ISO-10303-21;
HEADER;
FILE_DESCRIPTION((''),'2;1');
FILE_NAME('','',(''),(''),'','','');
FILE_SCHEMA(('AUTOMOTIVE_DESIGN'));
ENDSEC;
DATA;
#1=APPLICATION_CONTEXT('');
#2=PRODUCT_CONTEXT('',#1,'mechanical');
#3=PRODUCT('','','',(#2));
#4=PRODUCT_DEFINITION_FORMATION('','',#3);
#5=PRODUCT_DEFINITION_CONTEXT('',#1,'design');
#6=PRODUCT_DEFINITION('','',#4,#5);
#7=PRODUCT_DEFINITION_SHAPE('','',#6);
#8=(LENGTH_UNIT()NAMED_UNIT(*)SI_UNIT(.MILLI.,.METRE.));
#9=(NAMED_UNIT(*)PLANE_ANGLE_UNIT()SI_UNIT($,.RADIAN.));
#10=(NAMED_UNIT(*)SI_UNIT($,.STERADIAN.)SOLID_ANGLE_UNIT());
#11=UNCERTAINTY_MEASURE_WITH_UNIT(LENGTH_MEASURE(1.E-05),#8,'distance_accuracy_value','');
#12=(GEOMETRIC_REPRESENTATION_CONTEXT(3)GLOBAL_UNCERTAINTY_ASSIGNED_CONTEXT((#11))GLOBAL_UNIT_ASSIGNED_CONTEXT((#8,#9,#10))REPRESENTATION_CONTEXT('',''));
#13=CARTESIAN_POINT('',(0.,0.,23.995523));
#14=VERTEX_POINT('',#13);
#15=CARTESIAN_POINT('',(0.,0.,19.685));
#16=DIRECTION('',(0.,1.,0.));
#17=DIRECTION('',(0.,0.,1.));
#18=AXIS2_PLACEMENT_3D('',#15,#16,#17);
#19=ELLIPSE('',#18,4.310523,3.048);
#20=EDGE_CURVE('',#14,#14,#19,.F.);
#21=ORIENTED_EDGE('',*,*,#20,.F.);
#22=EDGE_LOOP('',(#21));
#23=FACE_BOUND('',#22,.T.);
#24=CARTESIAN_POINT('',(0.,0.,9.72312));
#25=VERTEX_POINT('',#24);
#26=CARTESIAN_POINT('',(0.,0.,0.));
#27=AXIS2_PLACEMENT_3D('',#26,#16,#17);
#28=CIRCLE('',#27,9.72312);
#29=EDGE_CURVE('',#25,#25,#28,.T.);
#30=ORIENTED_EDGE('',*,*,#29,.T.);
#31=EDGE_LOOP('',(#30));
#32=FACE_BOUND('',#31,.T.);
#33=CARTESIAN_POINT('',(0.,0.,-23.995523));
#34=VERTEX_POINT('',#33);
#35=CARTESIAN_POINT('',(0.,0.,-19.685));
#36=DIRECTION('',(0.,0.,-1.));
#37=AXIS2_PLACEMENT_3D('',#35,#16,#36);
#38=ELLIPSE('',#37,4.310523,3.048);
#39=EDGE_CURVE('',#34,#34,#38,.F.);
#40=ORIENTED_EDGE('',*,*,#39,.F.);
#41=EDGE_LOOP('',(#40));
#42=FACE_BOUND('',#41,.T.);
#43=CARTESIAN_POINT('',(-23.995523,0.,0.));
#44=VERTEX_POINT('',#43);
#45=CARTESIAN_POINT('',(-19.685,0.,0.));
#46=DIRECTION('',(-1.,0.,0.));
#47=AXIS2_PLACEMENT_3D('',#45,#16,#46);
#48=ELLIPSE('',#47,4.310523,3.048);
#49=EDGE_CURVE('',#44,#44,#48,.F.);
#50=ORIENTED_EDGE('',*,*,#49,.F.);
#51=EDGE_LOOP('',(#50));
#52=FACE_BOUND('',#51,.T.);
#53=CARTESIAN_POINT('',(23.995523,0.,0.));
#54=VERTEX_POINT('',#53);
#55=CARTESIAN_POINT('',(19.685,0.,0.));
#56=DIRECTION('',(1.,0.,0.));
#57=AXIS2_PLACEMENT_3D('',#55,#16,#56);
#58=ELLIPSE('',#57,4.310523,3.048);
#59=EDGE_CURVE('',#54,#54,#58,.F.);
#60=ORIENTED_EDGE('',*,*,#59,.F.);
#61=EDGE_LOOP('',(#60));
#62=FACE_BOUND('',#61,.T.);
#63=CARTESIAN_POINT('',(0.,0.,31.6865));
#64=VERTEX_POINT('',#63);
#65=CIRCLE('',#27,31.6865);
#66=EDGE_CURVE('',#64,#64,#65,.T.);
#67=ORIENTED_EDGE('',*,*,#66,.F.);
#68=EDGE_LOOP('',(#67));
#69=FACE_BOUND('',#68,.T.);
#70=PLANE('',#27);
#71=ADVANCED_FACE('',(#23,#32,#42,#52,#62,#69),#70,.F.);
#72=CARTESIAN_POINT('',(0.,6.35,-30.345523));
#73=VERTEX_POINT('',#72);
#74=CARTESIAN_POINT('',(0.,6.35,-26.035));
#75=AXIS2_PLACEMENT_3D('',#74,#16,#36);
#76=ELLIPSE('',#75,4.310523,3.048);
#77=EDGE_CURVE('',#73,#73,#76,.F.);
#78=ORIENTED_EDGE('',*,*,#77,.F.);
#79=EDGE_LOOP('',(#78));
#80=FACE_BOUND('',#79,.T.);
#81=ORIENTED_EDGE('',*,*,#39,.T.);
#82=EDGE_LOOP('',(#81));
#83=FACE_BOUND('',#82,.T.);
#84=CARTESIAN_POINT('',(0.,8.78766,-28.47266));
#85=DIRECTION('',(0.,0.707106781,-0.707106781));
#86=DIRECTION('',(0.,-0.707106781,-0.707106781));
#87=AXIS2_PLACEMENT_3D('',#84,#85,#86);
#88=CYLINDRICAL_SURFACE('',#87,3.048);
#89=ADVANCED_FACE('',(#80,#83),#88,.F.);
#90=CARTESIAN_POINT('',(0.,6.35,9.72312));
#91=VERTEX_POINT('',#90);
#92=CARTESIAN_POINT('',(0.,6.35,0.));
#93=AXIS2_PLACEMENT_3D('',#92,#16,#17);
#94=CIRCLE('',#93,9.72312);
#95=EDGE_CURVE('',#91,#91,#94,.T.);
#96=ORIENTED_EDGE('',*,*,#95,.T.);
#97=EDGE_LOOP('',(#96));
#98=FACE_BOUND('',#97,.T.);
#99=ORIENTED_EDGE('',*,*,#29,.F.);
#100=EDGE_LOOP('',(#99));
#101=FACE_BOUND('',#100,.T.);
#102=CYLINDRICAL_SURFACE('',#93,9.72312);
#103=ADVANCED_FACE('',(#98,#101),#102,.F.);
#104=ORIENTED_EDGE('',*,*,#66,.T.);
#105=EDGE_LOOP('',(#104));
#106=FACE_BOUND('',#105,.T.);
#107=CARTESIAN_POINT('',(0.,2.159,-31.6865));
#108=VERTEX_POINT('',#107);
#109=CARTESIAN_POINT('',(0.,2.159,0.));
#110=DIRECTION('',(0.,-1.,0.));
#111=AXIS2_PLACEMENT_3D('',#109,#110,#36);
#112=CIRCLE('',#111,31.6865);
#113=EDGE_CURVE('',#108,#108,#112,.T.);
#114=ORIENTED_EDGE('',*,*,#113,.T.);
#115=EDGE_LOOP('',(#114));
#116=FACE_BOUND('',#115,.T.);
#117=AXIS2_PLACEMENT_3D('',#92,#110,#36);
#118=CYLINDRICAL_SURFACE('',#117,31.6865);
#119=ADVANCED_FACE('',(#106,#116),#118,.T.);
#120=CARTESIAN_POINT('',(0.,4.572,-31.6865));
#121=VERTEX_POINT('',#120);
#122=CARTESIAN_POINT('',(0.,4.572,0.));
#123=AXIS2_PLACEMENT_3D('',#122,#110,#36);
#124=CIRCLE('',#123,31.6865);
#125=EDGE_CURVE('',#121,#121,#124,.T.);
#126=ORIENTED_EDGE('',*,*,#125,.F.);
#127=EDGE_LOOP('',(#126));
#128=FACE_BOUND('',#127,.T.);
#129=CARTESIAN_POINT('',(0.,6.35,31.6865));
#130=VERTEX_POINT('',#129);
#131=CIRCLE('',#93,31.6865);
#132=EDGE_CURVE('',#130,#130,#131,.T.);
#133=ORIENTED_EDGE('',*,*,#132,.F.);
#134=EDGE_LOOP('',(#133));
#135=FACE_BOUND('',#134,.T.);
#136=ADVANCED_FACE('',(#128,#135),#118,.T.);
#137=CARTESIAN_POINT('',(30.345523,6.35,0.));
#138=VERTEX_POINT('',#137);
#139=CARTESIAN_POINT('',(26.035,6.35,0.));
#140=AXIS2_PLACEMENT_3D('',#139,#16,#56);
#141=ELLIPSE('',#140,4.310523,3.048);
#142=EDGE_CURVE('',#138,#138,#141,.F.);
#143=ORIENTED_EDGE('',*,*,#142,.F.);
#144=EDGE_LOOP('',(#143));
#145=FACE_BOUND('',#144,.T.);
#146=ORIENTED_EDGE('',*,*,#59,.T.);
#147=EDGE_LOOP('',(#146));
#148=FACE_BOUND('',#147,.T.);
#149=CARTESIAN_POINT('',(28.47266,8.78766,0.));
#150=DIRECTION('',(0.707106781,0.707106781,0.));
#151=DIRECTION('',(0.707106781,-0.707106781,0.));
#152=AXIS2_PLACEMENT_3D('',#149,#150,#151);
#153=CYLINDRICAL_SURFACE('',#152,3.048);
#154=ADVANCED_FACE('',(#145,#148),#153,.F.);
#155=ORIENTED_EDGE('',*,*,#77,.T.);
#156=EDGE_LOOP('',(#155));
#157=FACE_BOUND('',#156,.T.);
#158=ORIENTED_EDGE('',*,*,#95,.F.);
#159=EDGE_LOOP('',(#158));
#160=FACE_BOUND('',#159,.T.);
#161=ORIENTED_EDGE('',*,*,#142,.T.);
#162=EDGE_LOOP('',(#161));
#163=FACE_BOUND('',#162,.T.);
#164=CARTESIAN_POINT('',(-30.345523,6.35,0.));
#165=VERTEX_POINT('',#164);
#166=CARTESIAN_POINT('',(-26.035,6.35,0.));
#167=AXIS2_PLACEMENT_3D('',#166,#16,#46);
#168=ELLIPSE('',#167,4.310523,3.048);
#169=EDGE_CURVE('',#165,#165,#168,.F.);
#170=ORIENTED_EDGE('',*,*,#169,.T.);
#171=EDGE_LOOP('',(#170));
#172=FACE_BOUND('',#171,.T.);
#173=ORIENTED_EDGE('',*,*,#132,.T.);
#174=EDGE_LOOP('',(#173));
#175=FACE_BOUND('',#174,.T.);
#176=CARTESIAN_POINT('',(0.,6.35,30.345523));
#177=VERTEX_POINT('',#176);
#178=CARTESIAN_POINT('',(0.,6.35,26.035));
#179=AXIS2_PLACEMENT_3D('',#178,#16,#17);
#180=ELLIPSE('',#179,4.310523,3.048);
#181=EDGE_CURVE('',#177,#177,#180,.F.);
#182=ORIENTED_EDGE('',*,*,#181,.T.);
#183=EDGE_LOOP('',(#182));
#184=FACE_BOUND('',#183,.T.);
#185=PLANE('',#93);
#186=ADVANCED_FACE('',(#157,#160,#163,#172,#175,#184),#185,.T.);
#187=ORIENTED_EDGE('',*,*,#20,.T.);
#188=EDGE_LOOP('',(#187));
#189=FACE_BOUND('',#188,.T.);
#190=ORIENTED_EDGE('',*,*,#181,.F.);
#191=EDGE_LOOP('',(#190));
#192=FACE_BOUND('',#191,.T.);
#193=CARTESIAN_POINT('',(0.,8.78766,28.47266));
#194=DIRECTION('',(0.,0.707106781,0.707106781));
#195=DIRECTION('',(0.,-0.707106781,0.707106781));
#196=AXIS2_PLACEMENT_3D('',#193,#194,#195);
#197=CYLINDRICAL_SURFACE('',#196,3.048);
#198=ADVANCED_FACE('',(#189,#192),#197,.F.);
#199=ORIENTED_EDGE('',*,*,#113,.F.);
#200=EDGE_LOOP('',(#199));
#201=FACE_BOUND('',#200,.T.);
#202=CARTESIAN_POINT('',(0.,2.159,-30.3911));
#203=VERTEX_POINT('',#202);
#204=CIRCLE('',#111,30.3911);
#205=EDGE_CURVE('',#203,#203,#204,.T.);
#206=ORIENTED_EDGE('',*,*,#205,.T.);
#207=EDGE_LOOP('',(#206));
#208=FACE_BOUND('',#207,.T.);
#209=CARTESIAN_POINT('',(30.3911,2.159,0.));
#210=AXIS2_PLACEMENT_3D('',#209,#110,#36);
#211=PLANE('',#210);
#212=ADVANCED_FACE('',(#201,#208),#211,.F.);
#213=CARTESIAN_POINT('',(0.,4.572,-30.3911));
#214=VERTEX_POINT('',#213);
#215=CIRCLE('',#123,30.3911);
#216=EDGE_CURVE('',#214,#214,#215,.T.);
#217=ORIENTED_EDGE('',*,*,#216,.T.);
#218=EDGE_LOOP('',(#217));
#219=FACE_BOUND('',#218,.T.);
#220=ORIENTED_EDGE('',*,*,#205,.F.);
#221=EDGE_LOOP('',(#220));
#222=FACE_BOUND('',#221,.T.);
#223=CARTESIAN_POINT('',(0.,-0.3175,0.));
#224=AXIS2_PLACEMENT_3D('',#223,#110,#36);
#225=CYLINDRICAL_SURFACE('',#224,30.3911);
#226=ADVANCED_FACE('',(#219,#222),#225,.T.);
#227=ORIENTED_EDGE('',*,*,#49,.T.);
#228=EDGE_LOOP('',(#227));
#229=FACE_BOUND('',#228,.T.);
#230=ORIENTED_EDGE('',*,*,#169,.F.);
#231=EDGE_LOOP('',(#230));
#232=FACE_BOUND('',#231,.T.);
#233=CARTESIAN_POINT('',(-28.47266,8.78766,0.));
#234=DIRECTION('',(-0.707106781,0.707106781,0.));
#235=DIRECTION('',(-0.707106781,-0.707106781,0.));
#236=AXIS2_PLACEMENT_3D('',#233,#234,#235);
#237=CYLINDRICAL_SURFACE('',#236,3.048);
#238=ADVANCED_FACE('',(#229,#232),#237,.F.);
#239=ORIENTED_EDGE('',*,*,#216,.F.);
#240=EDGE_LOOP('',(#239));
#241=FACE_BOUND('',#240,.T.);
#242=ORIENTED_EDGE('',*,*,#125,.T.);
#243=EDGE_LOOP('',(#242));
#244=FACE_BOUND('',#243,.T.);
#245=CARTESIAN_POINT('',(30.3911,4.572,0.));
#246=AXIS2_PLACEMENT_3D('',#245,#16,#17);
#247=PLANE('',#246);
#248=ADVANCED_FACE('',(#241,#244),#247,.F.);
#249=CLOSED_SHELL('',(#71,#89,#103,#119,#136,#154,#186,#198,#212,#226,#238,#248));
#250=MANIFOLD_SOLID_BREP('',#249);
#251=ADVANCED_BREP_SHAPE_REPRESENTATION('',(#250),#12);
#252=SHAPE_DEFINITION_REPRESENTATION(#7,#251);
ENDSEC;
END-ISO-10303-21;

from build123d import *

# Parameters (mm, degrees)
SKETCH1_R                   = 31.6865
BOSS_EXTRUDE1_DEPTH         = 6.35
CIRPATTERN1_COUNT           = 4
SKETCH5_W                   = 1.2954
SKETCH5_H                   = 2.413
F_3_4_CLEARANCE_HOLE1_D     = 19.44624
F_3_4_CLEARANCE_HOLE1_DEPTH = 6.35
F_3_4_CLEARANCE_HOLE1_TIP   = 5.842239902


with BuildPart() as part:
    # Sketch1 → Boss-Extrude1 (new body)
    with BuildSketch(Plane(origin=(0, 0, 0), x_dir=(1, 0, 0), z_dir=(0, 1, 0))):
        with Locations(Location((0, 0, 0), (0, 0, 270))):
            Circle(SKETCH1_R)
    extrude(amount=BOSS_EXTRUDE1_DEPTH)

    # Sketch4 → Cut-Revolve1 (revolve, cut)
    with BuildSketch(Plane.XY, mode=Mode.PRIVATE) as cut_revolve1_sk:
        Polygon((-28.472660076, 8.787660076), (-22.86, 3.175), (-17.247339924, -2.437660076), (-15.092078455, -0.282398607), (-26.317398607, 10.942921545), align=None)
    cut_revolve1 = revolve(cut_revolve1_sk.sketch.rotate(Axis((-28.472660076, 8.787660076, 0), (0.7071067811865512, -0.7071067811865439, 0)), 180), axis=Axis((-28.472660076, 8.787660076, 0), (0.7071067811865512, -0.7071067811865439, 0)), mode=Mode.SUBTRACT)

    # CirPattern1: Cut-Revolve1 ×4 about axis
    cirpattern1_axis = Axis((0, -0.3175, 0), (0, 1, 0))
    for i in range(1, CIRPATTERN1_COUNT):
        add(cut_revolve1.rotate(cirpattern1_axis, i * 360 / CIRPATTERN1_COUNT), mode=Mode.SUBTRACT)

    # Sketch5 → Cut-Revolve2 (revolve, cut)
    with BuildSketch(Plane.XY, mode=Mode.PRIVATE) as cut_revolve2_sk:
        with Locations((31.0388, 3.3655)):
            Rectangle(SKETCH5_W, SKETCH5_H)
    revolve(cut_revolve2_sk.sketch.rotate(Axis((0, -0.3175, 0), (0, 1, 0)), 90), axis=Axis((0, -0.3175, 0), (0, 1, 0)), mode=Mode.SUBTRACT)

    # 3/4 Clearance Hole1
    with Locations(Plane(origin=(0, 6.35, 0), x_dir=(1, 0, 0), z_dir=(0, 1, 0))):
        with Locations((0, 0)):
            Hole(F_3_4_CLEARANCE_HOLE1_D / 2, depth=F_3_4_CLEARANCE_HOLE1_DEPTH)
            with Locations((0, 0, -(F_3_4_CLEARANCE_HOLE1_DEPTH + F_3_4_CLEARANCE_HOLE1_TIP / 2))):  # 118° drill point
                Cone(0, F_3_4_CLEARANCE_HOLE1_D / 2, F_3_4_CLEARANCE_HOLE1_TIP, mode=Mode.SUBTRACT)


solid = part.part
